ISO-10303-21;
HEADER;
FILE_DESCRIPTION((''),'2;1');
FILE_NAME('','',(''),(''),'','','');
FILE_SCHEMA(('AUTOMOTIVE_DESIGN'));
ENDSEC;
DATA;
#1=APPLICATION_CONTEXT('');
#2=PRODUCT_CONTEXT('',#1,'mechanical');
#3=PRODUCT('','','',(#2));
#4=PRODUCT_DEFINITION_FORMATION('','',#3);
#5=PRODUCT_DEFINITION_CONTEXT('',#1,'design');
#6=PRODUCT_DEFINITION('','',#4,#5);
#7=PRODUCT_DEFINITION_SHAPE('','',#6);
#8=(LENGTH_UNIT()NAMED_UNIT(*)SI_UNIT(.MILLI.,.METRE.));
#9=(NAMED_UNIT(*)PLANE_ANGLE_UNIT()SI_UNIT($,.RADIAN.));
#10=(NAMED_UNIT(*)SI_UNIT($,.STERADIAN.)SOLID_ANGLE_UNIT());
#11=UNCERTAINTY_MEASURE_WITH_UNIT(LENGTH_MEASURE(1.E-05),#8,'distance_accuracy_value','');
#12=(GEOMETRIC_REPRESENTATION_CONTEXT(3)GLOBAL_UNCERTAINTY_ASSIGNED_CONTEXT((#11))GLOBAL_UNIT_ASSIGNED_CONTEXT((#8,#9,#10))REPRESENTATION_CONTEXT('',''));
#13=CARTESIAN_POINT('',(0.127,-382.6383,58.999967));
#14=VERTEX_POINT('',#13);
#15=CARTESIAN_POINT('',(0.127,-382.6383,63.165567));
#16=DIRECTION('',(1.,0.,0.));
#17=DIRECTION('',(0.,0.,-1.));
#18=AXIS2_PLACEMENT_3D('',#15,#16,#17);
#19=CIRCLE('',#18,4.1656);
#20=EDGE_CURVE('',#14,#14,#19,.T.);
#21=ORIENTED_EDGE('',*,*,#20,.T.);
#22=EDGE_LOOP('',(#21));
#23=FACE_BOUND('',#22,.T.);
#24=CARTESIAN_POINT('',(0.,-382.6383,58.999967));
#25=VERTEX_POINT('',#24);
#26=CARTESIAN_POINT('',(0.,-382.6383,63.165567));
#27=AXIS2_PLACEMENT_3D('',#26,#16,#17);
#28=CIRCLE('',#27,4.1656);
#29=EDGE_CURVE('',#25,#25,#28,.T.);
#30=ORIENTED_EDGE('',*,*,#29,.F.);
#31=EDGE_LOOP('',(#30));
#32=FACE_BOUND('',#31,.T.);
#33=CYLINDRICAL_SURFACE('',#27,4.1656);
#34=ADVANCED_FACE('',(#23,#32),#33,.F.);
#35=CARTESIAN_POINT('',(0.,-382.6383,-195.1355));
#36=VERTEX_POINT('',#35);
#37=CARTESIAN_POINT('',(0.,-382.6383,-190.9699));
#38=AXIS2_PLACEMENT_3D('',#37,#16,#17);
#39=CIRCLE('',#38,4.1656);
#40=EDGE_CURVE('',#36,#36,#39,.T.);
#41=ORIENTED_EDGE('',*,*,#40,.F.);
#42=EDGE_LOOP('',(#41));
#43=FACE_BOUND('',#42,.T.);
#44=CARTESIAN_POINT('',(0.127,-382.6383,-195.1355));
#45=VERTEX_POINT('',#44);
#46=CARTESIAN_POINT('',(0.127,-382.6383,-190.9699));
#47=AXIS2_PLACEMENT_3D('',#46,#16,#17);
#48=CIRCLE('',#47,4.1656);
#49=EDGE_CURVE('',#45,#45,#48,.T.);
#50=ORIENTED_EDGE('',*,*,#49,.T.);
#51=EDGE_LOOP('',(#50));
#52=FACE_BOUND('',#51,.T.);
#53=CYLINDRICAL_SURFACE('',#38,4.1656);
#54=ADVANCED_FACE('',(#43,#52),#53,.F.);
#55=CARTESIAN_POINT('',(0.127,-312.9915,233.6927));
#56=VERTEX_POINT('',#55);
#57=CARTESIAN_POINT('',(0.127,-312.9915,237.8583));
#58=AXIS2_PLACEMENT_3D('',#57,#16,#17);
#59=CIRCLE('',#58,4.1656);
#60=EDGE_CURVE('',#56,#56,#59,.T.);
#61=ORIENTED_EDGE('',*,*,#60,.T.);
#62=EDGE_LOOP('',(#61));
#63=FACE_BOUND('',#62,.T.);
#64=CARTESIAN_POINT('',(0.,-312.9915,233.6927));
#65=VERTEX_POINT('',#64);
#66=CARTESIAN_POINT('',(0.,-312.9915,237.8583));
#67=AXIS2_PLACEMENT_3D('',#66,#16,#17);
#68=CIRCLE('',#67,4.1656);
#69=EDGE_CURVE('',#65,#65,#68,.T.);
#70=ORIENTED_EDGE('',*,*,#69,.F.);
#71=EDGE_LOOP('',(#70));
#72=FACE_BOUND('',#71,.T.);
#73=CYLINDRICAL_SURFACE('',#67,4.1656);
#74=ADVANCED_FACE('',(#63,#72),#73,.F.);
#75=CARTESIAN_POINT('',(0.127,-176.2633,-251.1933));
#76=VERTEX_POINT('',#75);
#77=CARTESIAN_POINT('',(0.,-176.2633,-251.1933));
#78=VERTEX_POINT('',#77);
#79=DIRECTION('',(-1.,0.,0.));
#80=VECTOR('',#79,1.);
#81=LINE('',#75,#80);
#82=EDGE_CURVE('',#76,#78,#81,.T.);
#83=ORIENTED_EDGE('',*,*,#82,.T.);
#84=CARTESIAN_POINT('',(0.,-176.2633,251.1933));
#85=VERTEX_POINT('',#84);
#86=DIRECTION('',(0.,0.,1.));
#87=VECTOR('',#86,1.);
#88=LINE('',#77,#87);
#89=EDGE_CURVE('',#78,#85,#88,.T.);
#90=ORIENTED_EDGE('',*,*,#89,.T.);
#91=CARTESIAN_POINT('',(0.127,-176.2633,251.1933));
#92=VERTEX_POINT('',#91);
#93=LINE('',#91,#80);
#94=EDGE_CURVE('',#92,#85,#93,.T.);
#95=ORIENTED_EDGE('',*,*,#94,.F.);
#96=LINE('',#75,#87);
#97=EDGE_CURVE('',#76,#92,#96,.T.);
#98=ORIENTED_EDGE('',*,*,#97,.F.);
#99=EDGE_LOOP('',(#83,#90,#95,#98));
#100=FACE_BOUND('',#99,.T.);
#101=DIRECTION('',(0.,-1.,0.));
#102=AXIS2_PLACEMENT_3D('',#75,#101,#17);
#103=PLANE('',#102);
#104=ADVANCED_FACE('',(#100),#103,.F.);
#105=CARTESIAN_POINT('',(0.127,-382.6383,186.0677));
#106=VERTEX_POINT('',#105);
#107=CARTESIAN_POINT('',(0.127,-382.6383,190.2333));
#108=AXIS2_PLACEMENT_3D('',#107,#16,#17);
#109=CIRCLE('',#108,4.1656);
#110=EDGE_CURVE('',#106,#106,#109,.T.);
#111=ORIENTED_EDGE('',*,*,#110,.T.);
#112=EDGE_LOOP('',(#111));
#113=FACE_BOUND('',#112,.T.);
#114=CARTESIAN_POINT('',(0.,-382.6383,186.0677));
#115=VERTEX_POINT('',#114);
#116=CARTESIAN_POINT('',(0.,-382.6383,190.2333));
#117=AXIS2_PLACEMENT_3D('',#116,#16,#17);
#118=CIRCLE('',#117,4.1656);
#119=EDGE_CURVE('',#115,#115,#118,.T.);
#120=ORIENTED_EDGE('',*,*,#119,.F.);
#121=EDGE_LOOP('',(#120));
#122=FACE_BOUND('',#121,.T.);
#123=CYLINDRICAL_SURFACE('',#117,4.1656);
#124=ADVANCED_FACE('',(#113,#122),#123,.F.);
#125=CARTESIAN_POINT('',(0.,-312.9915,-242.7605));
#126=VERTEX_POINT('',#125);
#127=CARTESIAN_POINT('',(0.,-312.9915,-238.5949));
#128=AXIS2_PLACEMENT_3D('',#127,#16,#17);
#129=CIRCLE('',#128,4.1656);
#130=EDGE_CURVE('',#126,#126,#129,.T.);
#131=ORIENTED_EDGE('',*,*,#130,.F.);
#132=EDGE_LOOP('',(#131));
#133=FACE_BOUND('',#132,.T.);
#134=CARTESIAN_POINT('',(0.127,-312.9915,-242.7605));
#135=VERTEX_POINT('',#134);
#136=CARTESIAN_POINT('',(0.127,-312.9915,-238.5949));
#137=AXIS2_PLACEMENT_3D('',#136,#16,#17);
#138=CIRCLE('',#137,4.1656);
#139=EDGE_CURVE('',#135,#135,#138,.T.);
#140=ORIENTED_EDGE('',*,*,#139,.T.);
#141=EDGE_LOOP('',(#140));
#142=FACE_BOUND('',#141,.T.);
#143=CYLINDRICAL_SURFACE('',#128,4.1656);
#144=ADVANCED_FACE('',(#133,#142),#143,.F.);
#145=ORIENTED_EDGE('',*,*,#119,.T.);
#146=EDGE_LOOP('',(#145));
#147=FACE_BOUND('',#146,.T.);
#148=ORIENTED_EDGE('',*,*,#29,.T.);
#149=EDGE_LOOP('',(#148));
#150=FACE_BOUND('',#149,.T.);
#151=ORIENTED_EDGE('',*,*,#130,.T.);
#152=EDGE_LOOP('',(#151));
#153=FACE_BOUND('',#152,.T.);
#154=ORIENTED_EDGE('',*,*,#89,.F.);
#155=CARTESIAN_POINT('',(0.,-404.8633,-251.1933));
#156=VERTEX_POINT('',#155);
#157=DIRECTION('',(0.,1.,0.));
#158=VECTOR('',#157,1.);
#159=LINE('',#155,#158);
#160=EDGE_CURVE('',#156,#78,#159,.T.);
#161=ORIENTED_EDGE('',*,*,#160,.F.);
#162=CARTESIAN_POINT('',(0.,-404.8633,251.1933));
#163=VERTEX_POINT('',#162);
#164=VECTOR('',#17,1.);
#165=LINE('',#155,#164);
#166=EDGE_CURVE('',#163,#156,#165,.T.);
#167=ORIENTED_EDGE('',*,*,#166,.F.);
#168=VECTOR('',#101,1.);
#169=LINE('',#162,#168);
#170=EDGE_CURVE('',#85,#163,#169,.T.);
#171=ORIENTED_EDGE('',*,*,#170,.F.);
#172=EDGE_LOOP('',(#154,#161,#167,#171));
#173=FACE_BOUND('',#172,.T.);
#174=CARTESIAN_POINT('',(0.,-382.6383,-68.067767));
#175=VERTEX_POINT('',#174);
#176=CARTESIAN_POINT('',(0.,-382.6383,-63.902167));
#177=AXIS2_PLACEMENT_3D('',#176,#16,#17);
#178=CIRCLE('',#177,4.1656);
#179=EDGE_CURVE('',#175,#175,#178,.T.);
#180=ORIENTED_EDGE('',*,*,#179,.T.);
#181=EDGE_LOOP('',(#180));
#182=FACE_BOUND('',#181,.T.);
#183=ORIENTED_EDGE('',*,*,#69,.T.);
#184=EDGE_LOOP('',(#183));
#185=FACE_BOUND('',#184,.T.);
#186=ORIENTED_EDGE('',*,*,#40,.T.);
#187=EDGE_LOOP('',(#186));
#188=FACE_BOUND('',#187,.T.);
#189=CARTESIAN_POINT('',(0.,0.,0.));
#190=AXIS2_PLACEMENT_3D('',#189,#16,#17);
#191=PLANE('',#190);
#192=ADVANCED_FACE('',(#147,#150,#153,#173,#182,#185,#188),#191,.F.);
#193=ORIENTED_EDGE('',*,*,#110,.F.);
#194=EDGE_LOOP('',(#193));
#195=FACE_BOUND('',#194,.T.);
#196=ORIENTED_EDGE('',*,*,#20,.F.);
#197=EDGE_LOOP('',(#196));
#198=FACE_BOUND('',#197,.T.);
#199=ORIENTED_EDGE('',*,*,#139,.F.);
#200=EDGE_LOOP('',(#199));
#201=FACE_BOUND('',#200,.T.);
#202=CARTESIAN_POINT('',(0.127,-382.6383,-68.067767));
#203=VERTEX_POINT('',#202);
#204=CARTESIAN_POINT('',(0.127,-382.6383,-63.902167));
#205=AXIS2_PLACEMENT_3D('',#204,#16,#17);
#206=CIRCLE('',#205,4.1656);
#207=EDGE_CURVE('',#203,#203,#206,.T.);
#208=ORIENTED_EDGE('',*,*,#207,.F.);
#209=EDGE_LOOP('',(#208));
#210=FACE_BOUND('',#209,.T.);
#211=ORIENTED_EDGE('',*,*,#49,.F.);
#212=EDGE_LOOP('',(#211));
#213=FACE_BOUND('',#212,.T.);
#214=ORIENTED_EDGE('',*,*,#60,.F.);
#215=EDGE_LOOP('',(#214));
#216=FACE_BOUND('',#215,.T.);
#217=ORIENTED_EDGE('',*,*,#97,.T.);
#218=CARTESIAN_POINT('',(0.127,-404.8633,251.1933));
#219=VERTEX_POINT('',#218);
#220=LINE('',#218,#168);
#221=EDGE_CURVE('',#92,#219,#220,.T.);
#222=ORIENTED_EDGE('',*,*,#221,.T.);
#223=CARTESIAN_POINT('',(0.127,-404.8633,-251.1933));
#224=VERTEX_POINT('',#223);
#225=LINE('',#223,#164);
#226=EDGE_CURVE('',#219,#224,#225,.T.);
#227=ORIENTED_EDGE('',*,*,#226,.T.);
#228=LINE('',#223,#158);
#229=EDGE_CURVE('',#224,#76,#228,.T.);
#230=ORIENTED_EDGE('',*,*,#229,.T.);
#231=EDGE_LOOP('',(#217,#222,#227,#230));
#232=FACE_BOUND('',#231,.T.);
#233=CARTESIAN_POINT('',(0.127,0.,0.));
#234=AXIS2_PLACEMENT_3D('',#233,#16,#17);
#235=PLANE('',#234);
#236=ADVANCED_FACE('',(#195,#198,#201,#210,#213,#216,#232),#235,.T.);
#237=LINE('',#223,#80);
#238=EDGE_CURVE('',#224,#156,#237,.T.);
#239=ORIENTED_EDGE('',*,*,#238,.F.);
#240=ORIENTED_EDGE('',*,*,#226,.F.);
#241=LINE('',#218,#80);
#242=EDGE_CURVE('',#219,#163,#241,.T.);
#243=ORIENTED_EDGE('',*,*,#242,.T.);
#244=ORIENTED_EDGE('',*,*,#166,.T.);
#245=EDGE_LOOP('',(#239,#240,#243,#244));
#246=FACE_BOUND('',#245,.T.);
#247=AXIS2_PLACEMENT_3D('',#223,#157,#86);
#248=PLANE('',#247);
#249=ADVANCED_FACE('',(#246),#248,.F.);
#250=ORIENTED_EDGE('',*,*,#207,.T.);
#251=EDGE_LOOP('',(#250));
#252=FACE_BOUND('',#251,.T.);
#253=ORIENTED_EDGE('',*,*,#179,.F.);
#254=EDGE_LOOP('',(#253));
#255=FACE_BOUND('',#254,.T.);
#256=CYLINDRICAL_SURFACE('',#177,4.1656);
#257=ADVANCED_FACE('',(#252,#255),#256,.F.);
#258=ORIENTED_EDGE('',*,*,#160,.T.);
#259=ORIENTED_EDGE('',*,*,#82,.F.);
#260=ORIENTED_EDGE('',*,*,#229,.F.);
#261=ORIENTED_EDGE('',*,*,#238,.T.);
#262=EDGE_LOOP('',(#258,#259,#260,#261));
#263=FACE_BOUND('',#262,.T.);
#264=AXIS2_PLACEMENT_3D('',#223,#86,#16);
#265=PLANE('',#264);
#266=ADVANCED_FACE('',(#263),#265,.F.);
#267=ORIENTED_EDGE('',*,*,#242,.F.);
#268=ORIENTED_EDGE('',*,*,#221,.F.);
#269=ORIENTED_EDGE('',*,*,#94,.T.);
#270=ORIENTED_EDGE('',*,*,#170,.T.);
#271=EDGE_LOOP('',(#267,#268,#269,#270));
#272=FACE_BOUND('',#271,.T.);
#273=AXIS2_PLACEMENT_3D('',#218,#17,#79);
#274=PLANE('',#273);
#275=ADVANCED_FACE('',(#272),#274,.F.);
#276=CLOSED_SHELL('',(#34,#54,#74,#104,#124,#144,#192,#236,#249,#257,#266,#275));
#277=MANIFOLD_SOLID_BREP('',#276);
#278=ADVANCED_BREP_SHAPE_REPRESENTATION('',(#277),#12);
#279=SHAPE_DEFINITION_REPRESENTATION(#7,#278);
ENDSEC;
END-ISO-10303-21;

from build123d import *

# Parameters (mm, degrees)
SKETCH1_W                 = 502.3866
SKETCH1_H                 = 809.7266
SIDEPANEL_DEPTH           = 0.127
SKETCH2_R                 = 4.1656
TOPBOTTOMHOLEMASTER_DEPTH = 1.127
LPATTERN1_COUNT           = 4
LPATTERN1_PITCH           = 127.067733333
SKETCH3_R                 = 4.1656
REARHOLESMASTER_DEPTH     = 1.127
LPATTERN2_COUNT           = 4
LPATTERN2_PITCH           = 211.7344
SKETCH4_W                 = 502.3866
SKETCH4_H                 = 581.1266
CUT_EXTRUDE1_DEPTH        = 1.127


with BuildPart() as part:
    # Sketch1 → SidePanel (new body)
    with BuildSketch(Plane(origin=(0, 0, 0), x_dir=(0, 0, -1), z_dir=(1, 0, 0))):
        Rectangle(SKETCH1_W, SKETCH1_H)
    extrude(amount=SIDEPANEL_DEPTH)

    # Sketch2 → TopBottomHoleMaster (cut, through all)
    with BuildSketch(Plane(origin=(0.127, 0, 0), x_dir=(0, 0, -1), z_dir=(1, 0, 0))):
        with Locations((190.9699, -382.6383)):
            Circle(SKETCH2_R)
    topbottomholemaster = extrude(amount=-TOPBOTTOMHOLEMASTER_DEPTH, mode=Mode.SUBTRACT)

    # LPattern1: TopBottomHoleMaster ×4
    with Locations(*[(0, 0, i * LPATTERN1_PITCH) for i in range(1, LPATTERN1_COUNT)]):
        add(topbottomholemaster, mode=Mode.SUBTRACT)

    # Sketch3 → RearHolesMaster (cut, through all)
    with BuildSketch(Plane(origin=(0.127, 0, 0), x_dir=(0, 0, -1), z_dir=(1, 0, 0))):
        with Locations((-237.8583, 322.2117)):
            Circle(SKETCH3_R)
        with Locations((238.5949, 322.2117)):
            Circle(SKETCH3_R)
    rearholesmaster = extrude(amount=-REARHOLESMASTER_DEPTH, mode=Mode.SUBTRACT)

    # LPattern2: RearHolesMaster ×4
    with Locations(*[(0, -i * LPATTERN2_PITCH, 0) for i in range(1, LPATTERN2_COUNT)]):
        add(rearholesmaster, mode=Mode.SUBTRACT)

    # Sketch4 → Cut-Extrude1 (cut, through all)
    with BuildSketch(Plane.ZY):
        with Locations((0, 114.3)):
            Rectangle(SKETCH4_W, SKETCH4_H)
    extrude(amount=-CUT_EXTRUDE1_DEPTH, mode=Mode.SUBTRACT)


solid = part.part
